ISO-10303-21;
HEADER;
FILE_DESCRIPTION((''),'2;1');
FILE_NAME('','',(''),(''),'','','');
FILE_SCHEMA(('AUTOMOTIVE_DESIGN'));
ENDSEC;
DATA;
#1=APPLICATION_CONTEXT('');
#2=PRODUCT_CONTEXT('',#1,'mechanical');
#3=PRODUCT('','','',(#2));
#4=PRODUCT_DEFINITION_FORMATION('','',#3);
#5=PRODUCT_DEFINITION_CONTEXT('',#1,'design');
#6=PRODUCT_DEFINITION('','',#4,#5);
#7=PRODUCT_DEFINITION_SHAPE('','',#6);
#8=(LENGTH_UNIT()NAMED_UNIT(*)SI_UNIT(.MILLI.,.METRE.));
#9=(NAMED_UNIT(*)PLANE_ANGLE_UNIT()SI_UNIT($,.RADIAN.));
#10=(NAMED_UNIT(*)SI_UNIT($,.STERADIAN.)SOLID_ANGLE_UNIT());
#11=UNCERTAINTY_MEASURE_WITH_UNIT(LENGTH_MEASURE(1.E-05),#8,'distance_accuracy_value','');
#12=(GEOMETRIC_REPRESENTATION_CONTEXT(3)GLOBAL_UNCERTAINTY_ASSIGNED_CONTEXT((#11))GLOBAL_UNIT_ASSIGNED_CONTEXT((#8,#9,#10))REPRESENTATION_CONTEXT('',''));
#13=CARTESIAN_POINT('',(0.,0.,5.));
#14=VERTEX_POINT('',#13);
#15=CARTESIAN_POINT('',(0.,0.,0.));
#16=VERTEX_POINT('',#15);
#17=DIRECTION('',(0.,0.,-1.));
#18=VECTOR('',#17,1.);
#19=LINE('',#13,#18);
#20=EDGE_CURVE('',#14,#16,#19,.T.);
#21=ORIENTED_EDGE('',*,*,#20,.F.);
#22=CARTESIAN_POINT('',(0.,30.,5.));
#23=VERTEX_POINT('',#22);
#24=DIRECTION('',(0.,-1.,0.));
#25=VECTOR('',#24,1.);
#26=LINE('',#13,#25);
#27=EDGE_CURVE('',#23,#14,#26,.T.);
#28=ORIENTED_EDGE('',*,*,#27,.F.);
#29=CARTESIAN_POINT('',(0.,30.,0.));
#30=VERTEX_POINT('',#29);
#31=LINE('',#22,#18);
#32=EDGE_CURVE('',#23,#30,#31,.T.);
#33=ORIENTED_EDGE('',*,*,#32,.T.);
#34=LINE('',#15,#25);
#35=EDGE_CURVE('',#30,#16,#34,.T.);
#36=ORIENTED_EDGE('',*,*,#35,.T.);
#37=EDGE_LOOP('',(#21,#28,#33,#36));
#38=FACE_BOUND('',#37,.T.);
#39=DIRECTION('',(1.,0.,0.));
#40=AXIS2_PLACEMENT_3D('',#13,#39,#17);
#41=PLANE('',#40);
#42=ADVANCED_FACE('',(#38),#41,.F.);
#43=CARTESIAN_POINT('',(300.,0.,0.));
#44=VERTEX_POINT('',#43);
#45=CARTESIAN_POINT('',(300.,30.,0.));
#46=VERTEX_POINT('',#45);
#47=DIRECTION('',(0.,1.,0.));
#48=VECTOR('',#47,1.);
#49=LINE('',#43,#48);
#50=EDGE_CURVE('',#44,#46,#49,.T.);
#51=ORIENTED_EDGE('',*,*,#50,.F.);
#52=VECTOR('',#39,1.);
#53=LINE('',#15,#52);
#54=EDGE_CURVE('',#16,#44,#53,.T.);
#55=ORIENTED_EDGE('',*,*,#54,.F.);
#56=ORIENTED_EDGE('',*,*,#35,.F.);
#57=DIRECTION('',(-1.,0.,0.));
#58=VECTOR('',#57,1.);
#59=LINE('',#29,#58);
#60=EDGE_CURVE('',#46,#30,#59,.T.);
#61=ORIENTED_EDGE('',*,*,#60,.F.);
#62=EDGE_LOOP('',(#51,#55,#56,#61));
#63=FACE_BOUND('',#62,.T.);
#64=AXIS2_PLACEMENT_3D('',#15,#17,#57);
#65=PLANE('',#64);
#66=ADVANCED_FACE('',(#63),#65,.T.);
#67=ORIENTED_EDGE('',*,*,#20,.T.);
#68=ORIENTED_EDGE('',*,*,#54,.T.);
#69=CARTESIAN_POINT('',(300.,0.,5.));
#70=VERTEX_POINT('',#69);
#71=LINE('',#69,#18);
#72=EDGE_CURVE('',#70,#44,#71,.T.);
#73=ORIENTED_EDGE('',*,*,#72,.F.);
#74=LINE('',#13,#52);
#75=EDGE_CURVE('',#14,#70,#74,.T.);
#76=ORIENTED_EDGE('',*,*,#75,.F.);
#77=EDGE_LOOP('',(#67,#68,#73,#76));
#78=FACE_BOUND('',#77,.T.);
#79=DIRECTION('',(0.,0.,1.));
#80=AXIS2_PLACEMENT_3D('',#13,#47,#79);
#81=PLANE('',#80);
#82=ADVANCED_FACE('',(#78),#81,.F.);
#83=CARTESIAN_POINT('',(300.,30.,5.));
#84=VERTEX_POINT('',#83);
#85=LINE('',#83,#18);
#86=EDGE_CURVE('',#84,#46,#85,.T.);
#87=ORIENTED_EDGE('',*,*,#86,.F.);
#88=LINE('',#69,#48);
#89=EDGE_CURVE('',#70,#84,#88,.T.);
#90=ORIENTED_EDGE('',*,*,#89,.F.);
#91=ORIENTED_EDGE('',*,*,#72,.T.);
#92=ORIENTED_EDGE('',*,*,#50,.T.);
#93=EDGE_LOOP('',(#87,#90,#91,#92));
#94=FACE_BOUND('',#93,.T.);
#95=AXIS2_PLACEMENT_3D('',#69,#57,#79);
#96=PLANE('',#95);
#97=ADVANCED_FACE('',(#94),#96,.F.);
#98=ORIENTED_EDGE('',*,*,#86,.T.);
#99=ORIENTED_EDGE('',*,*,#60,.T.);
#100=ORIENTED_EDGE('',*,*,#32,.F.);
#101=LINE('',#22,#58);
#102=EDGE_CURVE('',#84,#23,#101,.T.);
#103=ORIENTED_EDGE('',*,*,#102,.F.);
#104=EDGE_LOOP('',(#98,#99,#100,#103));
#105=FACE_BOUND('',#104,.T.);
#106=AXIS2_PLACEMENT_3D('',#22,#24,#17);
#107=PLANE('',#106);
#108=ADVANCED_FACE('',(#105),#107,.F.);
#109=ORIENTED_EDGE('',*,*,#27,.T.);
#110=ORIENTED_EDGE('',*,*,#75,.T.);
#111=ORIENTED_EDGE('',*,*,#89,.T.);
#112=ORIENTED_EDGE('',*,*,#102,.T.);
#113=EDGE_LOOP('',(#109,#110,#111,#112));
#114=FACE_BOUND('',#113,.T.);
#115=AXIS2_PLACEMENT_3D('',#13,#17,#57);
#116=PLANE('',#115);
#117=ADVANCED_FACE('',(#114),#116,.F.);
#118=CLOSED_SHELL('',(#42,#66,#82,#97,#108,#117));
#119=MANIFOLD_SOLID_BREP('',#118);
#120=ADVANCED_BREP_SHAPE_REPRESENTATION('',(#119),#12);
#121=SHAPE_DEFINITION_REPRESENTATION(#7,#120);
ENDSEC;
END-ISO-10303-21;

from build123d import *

# Parameters (mm, degrees)
SKETCH1_W           = 300
SKETCH1_H           = 30
BOSS_EXTRUDE1_DEPTH = 5


with BuildPart() as part:
    # Sketch1 → Boss-Extrude1 (new body)
    with BuildSketch(Plane.XY):
        with Locations((150, 15)):
            Rectangle(SKETCH1_W, SKETCH1_H)
    extrude(amount=BOSS_EXTRUDE1_DEPTH)


solid = part.part
